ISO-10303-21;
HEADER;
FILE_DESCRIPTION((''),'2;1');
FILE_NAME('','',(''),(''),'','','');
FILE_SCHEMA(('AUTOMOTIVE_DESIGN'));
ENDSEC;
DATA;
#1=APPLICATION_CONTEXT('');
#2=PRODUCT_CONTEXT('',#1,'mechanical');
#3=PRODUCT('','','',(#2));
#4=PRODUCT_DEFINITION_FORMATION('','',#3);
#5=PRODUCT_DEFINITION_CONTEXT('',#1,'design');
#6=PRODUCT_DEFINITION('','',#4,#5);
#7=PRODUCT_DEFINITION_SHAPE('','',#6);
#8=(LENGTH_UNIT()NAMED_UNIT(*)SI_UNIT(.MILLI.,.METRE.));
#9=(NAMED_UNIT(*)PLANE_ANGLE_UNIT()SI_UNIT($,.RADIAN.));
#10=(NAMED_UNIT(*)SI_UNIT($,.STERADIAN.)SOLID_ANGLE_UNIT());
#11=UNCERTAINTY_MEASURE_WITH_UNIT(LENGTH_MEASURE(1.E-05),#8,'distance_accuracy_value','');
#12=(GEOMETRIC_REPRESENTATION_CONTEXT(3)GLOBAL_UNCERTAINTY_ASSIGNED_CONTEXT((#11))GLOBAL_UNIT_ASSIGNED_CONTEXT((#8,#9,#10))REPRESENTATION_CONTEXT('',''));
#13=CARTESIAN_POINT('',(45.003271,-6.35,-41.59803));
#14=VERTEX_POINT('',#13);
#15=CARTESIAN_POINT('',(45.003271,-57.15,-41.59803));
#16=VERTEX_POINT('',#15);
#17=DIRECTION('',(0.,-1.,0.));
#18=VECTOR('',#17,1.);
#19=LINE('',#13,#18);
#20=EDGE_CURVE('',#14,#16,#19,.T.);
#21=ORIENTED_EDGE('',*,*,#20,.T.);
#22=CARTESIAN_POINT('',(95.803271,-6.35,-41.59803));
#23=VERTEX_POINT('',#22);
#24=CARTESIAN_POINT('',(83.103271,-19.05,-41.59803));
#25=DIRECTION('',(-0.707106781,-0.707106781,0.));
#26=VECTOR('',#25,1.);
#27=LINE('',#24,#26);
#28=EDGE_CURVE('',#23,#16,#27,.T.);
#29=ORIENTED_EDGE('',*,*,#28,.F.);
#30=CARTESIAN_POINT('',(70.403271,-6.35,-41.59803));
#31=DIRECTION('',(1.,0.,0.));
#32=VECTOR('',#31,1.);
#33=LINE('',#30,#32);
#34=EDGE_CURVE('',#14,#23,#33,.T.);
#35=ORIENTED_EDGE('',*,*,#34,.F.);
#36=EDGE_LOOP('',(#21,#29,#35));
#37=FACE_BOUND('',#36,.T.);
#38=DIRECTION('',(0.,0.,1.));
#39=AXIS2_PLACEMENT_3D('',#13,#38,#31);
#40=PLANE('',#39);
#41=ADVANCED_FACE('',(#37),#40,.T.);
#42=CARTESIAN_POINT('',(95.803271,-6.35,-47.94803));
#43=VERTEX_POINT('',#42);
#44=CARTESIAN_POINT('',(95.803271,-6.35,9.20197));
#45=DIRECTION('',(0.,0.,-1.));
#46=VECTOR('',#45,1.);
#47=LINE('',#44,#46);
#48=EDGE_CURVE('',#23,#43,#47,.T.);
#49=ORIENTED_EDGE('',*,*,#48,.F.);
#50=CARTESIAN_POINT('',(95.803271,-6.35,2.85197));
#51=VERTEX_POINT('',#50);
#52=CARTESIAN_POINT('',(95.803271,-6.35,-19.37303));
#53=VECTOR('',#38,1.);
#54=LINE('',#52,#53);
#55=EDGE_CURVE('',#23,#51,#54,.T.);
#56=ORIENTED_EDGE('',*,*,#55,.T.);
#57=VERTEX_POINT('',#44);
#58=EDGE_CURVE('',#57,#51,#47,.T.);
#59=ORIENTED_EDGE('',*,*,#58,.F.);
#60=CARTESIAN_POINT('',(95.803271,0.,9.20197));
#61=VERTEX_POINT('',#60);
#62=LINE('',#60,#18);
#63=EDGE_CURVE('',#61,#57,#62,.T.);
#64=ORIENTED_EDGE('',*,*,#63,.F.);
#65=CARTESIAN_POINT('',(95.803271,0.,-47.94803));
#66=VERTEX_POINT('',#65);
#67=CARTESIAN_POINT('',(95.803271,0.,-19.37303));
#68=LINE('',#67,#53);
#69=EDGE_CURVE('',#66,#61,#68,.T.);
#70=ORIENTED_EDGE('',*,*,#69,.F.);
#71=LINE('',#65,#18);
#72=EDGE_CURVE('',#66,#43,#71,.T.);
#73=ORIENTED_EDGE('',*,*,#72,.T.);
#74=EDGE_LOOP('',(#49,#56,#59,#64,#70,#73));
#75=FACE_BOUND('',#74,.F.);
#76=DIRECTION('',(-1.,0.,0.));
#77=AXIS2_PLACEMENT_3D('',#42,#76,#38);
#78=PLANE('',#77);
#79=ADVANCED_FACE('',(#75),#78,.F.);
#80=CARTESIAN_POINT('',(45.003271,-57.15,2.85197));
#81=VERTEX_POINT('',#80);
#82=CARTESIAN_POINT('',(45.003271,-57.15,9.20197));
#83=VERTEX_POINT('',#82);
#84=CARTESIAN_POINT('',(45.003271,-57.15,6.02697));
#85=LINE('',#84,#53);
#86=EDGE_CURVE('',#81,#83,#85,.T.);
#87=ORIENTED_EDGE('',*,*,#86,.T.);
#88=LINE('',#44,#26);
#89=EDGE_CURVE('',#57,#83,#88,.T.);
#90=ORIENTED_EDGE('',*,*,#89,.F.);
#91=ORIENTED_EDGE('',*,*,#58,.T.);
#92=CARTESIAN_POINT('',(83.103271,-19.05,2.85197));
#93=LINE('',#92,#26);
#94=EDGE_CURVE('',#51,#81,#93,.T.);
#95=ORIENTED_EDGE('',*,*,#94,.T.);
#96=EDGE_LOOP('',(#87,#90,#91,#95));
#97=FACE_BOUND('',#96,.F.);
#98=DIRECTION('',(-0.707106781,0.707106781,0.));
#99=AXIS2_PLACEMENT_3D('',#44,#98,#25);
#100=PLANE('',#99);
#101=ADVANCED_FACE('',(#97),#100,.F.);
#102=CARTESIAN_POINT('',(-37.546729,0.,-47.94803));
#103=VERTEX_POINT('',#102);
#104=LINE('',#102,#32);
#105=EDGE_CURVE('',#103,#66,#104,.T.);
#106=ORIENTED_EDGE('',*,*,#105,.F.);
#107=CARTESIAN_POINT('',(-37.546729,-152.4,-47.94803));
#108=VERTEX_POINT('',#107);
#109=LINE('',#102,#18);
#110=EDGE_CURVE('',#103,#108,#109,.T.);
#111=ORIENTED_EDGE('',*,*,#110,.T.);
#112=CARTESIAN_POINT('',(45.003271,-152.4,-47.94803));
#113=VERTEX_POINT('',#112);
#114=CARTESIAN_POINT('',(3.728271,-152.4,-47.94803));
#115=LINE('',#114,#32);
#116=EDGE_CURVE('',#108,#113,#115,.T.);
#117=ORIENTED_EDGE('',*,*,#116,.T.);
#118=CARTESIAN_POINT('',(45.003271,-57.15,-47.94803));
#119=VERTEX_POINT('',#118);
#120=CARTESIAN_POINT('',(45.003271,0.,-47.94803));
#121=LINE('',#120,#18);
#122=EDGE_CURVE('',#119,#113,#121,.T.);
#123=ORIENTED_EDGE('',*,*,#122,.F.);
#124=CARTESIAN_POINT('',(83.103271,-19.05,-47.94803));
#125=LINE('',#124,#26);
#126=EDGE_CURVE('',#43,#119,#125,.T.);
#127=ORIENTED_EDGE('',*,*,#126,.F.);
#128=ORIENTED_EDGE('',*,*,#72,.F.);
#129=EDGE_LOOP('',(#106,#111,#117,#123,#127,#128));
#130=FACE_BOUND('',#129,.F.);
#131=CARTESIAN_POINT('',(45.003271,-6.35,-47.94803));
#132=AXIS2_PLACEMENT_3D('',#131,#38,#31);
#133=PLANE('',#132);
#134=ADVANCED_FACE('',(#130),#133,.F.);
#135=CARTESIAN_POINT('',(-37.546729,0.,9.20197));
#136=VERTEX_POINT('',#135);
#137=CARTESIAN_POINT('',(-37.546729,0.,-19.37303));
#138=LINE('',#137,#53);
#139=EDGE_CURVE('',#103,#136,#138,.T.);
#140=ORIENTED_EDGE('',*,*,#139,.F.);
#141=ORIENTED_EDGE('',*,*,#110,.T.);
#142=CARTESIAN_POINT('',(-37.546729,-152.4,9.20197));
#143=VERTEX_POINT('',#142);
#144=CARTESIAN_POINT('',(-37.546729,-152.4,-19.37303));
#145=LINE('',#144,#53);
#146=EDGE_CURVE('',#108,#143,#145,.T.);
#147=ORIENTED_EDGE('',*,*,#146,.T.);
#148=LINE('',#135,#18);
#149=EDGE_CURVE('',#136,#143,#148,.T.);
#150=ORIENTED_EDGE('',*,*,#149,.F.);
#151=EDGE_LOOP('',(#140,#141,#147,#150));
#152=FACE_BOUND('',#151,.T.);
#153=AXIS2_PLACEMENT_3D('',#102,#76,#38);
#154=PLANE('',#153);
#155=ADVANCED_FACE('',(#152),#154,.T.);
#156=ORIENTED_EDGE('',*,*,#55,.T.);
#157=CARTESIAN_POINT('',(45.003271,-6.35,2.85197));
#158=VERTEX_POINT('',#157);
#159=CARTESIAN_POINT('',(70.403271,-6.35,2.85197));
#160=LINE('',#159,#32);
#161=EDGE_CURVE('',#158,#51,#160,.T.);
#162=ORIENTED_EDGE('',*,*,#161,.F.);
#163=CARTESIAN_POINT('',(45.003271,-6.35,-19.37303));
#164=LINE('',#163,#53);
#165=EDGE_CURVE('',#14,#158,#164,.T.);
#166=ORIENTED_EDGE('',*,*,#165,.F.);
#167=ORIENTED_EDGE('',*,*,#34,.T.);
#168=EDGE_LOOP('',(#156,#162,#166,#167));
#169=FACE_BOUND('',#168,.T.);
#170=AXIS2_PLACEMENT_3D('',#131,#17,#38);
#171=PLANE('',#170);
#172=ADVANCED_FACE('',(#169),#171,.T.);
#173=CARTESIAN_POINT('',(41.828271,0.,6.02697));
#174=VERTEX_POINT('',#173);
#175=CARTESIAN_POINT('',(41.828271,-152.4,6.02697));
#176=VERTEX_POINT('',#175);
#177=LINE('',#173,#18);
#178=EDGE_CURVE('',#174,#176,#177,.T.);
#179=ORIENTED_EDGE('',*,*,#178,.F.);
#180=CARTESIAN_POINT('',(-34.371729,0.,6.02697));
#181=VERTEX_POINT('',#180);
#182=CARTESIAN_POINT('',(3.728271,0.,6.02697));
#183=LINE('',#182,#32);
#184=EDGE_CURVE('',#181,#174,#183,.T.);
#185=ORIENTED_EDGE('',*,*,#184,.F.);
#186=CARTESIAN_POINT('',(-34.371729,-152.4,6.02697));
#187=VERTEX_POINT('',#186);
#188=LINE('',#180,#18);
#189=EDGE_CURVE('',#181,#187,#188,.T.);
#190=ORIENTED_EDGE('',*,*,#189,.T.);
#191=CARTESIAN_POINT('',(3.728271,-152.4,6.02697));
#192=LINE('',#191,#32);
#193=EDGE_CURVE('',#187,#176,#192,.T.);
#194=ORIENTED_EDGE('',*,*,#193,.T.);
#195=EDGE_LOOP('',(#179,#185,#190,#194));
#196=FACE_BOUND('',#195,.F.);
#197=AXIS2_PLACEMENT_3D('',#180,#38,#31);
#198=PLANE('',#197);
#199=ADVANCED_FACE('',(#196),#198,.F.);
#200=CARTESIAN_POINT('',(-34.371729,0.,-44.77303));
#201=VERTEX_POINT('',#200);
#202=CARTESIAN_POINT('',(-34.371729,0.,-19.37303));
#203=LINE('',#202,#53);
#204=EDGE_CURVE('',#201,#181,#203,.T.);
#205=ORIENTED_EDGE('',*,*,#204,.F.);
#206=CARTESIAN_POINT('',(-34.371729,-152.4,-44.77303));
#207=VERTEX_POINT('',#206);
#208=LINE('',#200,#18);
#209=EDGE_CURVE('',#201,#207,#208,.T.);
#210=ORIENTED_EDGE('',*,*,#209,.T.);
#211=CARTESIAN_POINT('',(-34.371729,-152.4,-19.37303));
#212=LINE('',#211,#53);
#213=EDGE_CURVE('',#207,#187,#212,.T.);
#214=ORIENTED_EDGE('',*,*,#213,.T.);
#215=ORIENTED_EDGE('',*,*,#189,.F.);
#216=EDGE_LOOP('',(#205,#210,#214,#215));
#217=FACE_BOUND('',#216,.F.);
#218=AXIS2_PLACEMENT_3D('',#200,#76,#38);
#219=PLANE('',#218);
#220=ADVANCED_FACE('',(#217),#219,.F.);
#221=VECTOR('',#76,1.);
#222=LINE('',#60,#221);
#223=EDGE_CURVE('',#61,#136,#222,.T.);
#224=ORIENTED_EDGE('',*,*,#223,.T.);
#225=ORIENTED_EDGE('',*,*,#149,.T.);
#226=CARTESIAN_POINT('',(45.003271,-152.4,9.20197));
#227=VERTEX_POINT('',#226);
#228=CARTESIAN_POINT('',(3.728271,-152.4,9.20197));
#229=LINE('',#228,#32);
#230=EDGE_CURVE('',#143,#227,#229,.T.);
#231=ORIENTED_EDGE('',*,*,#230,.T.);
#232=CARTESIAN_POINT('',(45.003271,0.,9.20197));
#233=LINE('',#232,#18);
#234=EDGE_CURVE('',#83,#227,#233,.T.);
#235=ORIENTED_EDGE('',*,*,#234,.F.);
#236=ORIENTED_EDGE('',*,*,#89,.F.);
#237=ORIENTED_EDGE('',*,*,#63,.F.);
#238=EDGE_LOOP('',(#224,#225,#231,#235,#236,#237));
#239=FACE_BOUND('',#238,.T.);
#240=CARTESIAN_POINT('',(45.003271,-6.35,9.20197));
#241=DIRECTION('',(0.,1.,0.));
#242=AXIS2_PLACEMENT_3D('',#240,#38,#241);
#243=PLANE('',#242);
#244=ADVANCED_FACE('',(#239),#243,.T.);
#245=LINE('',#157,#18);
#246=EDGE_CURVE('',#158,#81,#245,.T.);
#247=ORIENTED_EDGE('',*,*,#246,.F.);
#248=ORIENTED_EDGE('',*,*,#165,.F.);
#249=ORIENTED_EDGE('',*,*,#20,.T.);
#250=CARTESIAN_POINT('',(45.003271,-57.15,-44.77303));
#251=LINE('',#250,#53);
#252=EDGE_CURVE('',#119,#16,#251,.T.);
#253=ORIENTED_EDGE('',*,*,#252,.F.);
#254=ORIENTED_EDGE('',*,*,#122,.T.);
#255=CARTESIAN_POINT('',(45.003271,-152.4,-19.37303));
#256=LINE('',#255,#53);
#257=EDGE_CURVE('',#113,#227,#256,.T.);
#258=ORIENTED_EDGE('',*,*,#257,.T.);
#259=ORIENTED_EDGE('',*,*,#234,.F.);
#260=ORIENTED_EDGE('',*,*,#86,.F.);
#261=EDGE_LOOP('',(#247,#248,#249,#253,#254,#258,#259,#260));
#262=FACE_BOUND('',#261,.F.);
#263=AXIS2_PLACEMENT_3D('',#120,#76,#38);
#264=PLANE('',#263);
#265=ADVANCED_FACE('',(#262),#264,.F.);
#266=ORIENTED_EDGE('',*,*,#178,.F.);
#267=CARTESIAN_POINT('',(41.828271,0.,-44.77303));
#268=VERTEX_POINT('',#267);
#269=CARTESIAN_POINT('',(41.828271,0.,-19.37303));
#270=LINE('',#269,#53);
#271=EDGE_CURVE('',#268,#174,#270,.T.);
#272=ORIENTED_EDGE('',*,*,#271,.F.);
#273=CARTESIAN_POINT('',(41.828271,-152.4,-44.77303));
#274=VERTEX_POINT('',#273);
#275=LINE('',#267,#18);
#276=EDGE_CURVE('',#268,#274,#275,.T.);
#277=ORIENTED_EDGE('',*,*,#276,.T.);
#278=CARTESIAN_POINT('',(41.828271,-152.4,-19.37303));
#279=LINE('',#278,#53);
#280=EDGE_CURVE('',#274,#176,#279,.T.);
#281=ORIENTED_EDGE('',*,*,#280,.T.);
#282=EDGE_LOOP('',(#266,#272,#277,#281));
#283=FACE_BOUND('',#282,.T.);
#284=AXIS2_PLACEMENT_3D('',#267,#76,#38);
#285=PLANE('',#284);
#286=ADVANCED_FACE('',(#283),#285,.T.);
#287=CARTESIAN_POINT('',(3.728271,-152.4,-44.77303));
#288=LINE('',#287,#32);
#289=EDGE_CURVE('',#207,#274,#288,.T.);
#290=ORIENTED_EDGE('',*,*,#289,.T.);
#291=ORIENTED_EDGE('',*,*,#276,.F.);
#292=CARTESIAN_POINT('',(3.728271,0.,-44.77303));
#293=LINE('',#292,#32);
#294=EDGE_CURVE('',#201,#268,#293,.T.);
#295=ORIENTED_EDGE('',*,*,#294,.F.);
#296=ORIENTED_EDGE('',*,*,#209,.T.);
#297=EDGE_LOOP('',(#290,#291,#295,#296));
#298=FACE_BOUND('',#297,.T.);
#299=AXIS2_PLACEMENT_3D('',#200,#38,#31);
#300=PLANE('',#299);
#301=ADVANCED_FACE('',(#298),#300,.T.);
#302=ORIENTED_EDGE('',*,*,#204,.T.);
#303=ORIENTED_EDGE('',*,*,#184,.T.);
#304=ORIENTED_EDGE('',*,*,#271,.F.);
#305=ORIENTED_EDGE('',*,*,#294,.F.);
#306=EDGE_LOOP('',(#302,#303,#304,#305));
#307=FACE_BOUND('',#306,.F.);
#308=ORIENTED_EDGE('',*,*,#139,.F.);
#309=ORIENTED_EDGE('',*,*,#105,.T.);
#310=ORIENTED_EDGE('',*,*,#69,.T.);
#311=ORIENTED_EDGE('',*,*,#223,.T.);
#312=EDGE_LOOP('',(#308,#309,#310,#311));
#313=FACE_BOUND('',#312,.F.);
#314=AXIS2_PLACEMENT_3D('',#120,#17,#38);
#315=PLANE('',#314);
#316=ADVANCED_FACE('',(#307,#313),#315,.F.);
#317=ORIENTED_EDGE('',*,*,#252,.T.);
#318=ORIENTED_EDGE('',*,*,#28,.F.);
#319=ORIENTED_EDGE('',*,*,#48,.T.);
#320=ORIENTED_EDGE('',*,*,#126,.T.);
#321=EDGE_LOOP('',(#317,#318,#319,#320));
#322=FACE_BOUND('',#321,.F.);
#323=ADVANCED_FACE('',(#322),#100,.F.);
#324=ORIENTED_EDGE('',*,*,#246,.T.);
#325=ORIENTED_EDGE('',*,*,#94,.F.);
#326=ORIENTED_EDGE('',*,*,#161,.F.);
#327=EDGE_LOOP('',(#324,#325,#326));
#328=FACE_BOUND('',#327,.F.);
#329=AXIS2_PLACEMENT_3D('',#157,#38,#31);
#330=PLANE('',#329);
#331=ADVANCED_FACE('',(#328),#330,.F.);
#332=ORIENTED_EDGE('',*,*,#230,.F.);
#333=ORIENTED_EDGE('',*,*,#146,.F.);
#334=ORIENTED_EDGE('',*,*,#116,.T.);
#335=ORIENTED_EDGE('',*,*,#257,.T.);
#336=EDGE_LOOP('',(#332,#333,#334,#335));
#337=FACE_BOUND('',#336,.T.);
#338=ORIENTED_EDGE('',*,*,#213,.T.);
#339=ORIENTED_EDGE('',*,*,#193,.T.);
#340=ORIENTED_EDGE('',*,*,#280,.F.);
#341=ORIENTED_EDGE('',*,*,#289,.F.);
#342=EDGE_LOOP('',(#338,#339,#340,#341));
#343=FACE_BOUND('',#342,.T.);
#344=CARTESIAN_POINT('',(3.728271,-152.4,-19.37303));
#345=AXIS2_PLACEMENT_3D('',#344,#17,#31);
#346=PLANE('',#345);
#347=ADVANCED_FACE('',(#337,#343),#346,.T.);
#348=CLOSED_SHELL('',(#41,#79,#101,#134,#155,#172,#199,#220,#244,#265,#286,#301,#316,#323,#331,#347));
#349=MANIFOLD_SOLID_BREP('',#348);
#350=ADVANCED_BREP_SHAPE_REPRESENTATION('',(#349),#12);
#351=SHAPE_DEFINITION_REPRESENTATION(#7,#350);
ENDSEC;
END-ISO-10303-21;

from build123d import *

# Parameters (mm, degrees)
F0_W     = 82.55
F0_H     = 57.15
F0_W_2   = 76.2
F0_H_2   = 50.8
F1_DEPTH = 152.4
F2_W     = 6.35
F2_H     = 57.15
F3_DEPTH = 50.8
F4_W     = 50.8
F4_H     = 6.35
F5_DEPTH = 50.8
F7_DEPTH = 118.618


with BuildPart() as f1:
    # F0 (on Front) → F1 (new body)
    with BuildSketch(Plane.XZ):
        with Locations((3.728271, -19.37303)):
            Rectangle(F0_W, F0_H)
        with Locations((3.728271, -19.37303)):
            Rectangle(F0_W_2, F0_H_2, mode=Mode.SUBTRACT)
    extrude(amount=F1_DEPTH)

    # F2 (on face) → F3 (join)
    with BuildSketch(Plane.YZ.offset(45.003271)):
        with Locations((-3.175, -19.37303)):
            Rectangle(F2_W, F2_H)
    extrude(amount=F3_DEPTH)

    # F4 (on face) → F5 (join)
    with BuildSketch(Plane.XZ.offset(6.35)):
        with Locations((70.403271, -44.77303)):
            Rectangle(F4_W, F4_H)
        with Locations((70.403271, 6.02697)):
            Rectangle(F4_W, F4_H)
    extrude(amount=F5_DEPTH)

    # F6 (on face) → F7 (cut)
    with BuildSketch(Plane.XY.offset(9.20197)):
        Polygon((95.803271, -6.35), (45.003271, -57.15), (95.803271, -57.15), align=None)
    extrude(amount=-F7_DEPTH, mode=Mode.SUBTRACT)


solid = f1.part
